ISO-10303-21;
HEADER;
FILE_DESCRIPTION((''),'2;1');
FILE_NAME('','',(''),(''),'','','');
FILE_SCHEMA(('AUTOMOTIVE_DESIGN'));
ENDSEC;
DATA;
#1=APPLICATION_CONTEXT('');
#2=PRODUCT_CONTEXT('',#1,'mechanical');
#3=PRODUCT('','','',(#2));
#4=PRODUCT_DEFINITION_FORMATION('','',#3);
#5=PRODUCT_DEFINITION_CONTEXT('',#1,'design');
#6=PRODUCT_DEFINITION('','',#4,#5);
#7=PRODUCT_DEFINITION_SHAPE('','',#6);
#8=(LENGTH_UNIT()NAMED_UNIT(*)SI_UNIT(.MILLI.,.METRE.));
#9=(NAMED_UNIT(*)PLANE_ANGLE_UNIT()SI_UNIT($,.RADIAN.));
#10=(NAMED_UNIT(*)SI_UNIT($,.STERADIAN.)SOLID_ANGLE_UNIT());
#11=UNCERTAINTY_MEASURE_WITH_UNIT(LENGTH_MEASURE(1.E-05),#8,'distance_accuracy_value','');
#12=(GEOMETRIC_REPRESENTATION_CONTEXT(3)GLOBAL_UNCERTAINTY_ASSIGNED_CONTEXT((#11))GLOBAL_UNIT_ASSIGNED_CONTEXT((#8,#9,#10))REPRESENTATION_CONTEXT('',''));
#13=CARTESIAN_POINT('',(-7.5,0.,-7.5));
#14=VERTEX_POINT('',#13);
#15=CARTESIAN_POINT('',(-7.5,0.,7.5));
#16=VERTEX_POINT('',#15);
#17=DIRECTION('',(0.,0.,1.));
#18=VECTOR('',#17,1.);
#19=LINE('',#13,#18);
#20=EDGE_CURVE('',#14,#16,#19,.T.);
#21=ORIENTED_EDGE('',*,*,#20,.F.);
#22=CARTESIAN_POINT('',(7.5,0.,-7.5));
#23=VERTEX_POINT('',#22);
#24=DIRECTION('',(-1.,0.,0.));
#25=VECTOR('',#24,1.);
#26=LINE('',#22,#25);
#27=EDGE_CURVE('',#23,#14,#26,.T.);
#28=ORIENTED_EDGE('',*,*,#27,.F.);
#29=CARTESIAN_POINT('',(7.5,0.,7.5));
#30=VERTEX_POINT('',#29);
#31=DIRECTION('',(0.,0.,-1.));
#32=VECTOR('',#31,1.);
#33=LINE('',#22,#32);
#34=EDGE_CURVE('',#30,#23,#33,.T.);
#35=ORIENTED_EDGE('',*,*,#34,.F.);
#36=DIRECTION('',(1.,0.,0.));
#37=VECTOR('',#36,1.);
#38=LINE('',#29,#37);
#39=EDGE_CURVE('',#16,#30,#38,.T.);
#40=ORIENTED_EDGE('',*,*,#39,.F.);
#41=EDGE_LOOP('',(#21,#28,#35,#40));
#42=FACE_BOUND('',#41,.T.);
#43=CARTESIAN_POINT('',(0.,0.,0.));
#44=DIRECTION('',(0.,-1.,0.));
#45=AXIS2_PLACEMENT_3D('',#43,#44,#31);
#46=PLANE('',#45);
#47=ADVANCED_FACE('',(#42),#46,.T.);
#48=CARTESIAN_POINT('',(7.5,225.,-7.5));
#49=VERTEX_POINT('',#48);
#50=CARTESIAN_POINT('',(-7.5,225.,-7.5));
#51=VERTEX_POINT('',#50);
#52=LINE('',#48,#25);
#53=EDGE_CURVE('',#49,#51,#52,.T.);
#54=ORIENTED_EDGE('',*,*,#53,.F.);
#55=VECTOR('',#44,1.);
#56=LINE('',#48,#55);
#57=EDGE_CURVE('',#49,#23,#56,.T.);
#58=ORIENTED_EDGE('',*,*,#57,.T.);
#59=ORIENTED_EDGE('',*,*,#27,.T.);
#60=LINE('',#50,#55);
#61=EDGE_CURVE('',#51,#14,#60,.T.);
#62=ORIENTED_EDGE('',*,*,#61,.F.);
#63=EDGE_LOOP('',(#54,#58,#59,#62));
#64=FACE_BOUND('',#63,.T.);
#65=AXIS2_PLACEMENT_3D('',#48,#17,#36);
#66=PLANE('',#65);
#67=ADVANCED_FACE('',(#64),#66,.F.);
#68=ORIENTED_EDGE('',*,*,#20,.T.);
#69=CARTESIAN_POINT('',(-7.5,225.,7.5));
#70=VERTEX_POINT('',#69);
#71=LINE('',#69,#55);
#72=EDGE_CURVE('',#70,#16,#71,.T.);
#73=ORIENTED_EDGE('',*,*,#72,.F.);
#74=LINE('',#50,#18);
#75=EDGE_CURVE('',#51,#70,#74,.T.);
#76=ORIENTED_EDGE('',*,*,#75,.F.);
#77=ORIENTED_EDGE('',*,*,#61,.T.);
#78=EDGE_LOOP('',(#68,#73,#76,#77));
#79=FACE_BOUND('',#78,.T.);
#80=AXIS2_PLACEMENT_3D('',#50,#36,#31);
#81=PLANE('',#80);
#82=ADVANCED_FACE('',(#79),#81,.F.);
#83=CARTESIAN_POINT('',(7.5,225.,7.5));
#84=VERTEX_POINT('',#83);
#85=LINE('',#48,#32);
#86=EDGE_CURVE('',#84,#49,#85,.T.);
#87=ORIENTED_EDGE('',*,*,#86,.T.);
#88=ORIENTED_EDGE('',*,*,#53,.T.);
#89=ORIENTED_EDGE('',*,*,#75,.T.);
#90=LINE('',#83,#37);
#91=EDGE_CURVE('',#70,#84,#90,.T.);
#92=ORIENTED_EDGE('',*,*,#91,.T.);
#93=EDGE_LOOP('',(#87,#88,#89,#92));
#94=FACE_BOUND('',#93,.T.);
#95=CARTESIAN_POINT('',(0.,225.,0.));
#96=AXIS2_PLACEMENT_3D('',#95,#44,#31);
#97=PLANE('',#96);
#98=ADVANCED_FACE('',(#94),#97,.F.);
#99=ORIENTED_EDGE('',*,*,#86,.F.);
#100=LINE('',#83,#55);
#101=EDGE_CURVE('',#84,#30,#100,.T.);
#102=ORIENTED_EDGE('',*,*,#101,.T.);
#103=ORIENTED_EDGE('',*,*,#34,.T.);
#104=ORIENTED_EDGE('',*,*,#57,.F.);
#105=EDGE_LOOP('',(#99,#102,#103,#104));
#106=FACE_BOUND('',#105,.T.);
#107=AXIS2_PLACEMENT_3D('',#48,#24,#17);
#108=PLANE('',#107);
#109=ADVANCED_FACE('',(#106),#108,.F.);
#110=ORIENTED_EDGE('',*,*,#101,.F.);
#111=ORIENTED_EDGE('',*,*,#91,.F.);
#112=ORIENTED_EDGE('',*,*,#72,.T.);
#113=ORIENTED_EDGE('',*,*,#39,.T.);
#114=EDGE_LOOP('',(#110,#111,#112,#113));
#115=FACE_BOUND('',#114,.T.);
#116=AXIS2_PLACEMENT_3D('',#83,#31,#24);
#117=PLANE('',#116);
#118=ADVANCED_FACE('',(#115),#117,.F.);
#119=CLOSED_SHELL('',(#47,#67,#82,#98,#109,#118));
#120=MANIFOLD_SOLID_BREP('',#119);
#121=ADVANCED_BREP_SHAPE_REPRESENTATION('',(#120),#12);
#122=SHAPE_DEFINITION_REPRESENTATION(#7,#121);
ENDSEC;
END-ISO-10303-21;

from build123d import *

# Parameters (mm, degrees)
SKETCH1_W           = 15
SKETCH1_H           = 15
BOSS_EXTRUDE1_DEPTH = 225


with BuildPart() as part:
    # Sketch1 → Boss-Extrude1 (new body)
    with BuildSketch(Plane(origin=(0, 0, 0), x_dir=(1, 0, 0), z_dir=(0, 1, 0))):
        Rectangle(SKETCH1_W, SKETCH1_H)
    extrude(amount=BOSS_EXTRUDE1_DEPTH)


solid = part.part
